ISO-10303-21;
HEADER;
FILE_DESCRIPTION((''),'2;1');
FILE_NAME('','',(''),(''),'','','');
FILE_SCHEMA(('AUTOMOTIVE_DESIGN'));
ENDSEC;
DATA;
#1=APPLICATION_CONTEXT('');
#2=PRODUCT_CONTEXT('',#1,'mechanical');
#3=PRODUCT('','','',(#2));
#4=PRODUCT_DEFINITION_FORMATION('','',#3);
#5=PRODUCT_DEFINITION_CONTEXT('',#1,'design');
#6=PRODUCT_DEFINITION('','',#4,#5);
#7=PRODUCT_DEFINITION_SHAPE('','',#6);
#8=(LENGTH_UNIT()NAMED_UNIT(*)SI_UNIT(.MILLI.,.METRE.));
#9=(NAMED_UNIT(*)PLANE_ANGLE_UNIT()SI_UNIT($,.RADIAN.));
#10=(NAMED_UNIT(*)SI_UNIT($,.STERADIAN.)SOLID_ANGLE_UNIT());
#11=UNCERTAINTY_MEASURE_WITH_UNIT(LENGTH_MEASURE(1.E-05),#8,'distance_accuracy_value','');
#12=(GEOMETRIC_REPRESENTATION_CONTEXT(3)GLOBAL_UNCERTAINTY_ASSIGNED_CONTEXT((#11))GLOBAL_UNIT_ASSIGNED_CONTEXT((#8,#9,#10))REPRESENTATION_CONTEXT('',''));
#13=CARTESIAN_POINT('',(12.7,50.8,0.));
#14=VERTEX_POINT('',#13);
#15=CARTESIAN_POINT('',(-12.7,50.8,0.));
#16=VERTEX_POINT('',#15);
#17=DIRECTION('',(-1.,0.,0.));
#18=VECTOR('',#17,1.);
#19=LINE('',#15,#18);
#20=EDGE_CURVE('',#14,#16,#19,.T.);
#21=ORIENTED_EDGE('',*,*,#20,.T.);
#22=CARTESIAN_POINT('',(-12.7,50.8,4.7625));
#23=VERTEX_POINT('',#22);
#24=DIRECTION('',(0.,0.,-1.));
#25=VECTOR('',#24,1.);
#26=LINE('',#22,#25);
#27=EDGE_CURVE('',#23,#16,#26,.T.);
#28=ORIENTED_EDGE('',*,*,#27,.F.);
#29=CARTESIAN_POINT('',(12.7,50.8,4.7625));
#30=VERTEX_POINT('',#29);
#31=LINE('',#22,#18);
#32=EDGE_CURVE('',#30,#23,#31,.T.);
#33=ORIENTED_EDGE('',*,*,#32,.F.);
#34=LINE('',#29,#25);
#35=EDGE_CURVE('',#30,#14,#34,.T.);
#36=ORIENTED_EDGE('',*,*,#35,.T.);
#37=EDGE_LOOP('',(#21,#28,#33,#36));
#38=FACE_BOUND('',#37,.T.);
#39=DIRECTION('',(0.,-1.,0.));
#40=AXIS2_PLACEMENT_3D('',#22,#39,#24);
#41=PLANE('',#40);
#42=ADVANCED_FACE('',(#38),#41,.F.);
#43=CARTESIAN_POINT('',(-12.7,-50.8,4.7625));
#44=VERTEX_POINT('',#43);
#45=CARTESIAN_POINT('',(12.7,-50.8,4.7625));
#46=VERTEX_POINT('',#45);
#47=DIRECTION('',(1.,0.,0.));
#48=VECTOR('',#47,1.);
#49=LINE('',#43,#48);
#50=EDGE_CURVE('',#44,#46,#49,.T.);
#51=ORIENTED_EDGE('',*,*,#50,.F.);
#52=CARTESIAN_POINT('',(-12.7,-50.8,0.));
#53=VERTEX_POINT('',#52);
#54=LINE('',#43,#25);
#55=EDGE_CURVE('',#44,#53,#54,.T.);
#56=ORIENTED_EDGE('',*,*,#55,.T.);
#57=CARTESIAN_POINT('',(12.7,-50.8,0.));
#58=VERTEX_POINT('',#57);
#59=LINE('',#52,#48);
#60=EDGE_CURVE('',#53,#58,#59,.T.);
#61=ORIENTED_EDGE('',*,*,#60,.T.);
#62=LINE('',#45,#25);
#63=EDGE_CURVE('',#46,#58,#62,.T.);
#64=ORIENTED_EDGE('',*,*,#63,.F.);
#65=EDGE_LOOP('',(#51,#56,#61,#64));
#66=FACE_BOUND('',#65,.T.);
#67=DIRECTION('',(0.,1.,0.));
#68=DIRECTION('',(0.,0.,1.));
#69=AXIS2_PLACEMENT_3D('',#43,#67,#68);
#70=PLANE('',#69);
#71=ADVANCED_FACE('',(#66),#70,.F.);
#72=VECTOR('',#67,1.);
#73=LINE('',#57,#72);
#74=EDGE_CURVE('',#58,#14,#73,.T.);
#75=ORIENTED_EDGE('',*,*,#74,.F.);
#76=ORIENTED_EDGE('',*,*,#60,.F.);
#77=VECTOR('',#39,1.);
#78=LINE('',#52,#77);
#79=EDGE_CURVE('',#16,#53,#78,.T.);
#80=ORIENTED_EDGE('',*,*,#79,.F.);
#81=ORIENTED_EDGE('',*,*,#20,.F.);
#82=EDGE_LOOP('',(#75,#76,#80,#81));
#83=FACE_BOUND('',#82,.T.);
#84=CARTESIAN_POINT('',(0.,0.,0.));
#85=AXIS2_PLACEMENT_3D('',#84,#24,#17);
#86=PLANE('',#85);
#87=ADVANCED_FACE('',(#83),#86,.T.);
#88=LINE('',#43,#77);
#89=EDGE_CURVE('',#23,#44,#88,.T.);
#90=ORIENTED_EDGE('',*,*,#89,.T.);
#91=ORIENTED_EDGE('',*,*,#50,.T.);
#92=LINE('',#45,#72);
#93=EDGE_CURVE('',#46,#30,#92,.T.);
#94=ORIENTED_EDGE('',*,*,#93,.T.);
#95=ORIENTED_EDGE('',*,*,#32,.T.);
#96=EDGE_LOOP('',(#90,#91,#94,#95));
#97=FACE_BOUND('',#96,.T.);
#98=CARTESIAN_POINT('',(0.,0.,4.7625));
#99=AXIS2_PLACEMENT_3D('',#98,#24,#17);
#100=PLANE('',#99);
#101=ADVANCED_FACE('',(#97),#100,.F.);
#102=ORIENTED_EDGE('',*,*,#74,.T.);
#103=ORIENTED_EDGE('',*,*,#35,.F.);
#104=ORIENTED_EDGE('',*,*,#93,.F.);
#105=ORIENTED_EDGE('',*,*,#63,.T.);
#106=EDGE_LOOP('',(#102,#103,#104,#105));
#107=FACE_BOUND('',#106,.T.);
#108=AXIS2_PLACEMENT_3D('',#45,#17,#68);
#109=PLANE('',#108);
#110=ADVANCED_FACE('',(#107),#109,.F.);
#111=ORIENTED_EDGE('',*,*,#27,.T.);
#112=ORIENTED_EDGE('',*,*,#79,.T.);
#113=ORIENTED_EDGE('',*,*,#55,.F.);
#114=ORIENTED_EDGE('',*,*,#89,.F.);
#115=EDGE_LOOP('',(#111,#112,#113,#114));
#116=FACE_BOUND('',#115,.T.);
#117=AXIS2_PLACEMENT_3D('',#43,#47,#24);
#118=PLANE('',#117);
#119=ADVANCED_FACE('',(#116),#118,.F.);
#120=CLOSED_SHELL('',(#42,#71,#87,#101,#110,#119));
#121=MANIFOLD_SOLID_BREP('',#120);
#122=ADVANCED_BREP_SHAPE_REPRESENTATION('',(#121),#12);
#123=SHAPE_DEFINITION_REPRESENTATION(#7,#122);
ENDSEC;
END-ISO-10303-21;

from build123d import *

# Parameters (mm, degrees)
SKETCH1_W           = 25.4
SKETCH1_H           = 101.6
BOSS_EXTRUDE1_DEPTH = 4.7625


with BuildPart() as part:
    # Sketch1 → Boss-Extrude1 (new body)
    with BuildSketch(Plane.XY):
        Rectangle(SKETCH1_W, SKETCH1_H)
    extrude(amount=BOSS_EXTRUDE1_DEPTH)


solid = part.part
